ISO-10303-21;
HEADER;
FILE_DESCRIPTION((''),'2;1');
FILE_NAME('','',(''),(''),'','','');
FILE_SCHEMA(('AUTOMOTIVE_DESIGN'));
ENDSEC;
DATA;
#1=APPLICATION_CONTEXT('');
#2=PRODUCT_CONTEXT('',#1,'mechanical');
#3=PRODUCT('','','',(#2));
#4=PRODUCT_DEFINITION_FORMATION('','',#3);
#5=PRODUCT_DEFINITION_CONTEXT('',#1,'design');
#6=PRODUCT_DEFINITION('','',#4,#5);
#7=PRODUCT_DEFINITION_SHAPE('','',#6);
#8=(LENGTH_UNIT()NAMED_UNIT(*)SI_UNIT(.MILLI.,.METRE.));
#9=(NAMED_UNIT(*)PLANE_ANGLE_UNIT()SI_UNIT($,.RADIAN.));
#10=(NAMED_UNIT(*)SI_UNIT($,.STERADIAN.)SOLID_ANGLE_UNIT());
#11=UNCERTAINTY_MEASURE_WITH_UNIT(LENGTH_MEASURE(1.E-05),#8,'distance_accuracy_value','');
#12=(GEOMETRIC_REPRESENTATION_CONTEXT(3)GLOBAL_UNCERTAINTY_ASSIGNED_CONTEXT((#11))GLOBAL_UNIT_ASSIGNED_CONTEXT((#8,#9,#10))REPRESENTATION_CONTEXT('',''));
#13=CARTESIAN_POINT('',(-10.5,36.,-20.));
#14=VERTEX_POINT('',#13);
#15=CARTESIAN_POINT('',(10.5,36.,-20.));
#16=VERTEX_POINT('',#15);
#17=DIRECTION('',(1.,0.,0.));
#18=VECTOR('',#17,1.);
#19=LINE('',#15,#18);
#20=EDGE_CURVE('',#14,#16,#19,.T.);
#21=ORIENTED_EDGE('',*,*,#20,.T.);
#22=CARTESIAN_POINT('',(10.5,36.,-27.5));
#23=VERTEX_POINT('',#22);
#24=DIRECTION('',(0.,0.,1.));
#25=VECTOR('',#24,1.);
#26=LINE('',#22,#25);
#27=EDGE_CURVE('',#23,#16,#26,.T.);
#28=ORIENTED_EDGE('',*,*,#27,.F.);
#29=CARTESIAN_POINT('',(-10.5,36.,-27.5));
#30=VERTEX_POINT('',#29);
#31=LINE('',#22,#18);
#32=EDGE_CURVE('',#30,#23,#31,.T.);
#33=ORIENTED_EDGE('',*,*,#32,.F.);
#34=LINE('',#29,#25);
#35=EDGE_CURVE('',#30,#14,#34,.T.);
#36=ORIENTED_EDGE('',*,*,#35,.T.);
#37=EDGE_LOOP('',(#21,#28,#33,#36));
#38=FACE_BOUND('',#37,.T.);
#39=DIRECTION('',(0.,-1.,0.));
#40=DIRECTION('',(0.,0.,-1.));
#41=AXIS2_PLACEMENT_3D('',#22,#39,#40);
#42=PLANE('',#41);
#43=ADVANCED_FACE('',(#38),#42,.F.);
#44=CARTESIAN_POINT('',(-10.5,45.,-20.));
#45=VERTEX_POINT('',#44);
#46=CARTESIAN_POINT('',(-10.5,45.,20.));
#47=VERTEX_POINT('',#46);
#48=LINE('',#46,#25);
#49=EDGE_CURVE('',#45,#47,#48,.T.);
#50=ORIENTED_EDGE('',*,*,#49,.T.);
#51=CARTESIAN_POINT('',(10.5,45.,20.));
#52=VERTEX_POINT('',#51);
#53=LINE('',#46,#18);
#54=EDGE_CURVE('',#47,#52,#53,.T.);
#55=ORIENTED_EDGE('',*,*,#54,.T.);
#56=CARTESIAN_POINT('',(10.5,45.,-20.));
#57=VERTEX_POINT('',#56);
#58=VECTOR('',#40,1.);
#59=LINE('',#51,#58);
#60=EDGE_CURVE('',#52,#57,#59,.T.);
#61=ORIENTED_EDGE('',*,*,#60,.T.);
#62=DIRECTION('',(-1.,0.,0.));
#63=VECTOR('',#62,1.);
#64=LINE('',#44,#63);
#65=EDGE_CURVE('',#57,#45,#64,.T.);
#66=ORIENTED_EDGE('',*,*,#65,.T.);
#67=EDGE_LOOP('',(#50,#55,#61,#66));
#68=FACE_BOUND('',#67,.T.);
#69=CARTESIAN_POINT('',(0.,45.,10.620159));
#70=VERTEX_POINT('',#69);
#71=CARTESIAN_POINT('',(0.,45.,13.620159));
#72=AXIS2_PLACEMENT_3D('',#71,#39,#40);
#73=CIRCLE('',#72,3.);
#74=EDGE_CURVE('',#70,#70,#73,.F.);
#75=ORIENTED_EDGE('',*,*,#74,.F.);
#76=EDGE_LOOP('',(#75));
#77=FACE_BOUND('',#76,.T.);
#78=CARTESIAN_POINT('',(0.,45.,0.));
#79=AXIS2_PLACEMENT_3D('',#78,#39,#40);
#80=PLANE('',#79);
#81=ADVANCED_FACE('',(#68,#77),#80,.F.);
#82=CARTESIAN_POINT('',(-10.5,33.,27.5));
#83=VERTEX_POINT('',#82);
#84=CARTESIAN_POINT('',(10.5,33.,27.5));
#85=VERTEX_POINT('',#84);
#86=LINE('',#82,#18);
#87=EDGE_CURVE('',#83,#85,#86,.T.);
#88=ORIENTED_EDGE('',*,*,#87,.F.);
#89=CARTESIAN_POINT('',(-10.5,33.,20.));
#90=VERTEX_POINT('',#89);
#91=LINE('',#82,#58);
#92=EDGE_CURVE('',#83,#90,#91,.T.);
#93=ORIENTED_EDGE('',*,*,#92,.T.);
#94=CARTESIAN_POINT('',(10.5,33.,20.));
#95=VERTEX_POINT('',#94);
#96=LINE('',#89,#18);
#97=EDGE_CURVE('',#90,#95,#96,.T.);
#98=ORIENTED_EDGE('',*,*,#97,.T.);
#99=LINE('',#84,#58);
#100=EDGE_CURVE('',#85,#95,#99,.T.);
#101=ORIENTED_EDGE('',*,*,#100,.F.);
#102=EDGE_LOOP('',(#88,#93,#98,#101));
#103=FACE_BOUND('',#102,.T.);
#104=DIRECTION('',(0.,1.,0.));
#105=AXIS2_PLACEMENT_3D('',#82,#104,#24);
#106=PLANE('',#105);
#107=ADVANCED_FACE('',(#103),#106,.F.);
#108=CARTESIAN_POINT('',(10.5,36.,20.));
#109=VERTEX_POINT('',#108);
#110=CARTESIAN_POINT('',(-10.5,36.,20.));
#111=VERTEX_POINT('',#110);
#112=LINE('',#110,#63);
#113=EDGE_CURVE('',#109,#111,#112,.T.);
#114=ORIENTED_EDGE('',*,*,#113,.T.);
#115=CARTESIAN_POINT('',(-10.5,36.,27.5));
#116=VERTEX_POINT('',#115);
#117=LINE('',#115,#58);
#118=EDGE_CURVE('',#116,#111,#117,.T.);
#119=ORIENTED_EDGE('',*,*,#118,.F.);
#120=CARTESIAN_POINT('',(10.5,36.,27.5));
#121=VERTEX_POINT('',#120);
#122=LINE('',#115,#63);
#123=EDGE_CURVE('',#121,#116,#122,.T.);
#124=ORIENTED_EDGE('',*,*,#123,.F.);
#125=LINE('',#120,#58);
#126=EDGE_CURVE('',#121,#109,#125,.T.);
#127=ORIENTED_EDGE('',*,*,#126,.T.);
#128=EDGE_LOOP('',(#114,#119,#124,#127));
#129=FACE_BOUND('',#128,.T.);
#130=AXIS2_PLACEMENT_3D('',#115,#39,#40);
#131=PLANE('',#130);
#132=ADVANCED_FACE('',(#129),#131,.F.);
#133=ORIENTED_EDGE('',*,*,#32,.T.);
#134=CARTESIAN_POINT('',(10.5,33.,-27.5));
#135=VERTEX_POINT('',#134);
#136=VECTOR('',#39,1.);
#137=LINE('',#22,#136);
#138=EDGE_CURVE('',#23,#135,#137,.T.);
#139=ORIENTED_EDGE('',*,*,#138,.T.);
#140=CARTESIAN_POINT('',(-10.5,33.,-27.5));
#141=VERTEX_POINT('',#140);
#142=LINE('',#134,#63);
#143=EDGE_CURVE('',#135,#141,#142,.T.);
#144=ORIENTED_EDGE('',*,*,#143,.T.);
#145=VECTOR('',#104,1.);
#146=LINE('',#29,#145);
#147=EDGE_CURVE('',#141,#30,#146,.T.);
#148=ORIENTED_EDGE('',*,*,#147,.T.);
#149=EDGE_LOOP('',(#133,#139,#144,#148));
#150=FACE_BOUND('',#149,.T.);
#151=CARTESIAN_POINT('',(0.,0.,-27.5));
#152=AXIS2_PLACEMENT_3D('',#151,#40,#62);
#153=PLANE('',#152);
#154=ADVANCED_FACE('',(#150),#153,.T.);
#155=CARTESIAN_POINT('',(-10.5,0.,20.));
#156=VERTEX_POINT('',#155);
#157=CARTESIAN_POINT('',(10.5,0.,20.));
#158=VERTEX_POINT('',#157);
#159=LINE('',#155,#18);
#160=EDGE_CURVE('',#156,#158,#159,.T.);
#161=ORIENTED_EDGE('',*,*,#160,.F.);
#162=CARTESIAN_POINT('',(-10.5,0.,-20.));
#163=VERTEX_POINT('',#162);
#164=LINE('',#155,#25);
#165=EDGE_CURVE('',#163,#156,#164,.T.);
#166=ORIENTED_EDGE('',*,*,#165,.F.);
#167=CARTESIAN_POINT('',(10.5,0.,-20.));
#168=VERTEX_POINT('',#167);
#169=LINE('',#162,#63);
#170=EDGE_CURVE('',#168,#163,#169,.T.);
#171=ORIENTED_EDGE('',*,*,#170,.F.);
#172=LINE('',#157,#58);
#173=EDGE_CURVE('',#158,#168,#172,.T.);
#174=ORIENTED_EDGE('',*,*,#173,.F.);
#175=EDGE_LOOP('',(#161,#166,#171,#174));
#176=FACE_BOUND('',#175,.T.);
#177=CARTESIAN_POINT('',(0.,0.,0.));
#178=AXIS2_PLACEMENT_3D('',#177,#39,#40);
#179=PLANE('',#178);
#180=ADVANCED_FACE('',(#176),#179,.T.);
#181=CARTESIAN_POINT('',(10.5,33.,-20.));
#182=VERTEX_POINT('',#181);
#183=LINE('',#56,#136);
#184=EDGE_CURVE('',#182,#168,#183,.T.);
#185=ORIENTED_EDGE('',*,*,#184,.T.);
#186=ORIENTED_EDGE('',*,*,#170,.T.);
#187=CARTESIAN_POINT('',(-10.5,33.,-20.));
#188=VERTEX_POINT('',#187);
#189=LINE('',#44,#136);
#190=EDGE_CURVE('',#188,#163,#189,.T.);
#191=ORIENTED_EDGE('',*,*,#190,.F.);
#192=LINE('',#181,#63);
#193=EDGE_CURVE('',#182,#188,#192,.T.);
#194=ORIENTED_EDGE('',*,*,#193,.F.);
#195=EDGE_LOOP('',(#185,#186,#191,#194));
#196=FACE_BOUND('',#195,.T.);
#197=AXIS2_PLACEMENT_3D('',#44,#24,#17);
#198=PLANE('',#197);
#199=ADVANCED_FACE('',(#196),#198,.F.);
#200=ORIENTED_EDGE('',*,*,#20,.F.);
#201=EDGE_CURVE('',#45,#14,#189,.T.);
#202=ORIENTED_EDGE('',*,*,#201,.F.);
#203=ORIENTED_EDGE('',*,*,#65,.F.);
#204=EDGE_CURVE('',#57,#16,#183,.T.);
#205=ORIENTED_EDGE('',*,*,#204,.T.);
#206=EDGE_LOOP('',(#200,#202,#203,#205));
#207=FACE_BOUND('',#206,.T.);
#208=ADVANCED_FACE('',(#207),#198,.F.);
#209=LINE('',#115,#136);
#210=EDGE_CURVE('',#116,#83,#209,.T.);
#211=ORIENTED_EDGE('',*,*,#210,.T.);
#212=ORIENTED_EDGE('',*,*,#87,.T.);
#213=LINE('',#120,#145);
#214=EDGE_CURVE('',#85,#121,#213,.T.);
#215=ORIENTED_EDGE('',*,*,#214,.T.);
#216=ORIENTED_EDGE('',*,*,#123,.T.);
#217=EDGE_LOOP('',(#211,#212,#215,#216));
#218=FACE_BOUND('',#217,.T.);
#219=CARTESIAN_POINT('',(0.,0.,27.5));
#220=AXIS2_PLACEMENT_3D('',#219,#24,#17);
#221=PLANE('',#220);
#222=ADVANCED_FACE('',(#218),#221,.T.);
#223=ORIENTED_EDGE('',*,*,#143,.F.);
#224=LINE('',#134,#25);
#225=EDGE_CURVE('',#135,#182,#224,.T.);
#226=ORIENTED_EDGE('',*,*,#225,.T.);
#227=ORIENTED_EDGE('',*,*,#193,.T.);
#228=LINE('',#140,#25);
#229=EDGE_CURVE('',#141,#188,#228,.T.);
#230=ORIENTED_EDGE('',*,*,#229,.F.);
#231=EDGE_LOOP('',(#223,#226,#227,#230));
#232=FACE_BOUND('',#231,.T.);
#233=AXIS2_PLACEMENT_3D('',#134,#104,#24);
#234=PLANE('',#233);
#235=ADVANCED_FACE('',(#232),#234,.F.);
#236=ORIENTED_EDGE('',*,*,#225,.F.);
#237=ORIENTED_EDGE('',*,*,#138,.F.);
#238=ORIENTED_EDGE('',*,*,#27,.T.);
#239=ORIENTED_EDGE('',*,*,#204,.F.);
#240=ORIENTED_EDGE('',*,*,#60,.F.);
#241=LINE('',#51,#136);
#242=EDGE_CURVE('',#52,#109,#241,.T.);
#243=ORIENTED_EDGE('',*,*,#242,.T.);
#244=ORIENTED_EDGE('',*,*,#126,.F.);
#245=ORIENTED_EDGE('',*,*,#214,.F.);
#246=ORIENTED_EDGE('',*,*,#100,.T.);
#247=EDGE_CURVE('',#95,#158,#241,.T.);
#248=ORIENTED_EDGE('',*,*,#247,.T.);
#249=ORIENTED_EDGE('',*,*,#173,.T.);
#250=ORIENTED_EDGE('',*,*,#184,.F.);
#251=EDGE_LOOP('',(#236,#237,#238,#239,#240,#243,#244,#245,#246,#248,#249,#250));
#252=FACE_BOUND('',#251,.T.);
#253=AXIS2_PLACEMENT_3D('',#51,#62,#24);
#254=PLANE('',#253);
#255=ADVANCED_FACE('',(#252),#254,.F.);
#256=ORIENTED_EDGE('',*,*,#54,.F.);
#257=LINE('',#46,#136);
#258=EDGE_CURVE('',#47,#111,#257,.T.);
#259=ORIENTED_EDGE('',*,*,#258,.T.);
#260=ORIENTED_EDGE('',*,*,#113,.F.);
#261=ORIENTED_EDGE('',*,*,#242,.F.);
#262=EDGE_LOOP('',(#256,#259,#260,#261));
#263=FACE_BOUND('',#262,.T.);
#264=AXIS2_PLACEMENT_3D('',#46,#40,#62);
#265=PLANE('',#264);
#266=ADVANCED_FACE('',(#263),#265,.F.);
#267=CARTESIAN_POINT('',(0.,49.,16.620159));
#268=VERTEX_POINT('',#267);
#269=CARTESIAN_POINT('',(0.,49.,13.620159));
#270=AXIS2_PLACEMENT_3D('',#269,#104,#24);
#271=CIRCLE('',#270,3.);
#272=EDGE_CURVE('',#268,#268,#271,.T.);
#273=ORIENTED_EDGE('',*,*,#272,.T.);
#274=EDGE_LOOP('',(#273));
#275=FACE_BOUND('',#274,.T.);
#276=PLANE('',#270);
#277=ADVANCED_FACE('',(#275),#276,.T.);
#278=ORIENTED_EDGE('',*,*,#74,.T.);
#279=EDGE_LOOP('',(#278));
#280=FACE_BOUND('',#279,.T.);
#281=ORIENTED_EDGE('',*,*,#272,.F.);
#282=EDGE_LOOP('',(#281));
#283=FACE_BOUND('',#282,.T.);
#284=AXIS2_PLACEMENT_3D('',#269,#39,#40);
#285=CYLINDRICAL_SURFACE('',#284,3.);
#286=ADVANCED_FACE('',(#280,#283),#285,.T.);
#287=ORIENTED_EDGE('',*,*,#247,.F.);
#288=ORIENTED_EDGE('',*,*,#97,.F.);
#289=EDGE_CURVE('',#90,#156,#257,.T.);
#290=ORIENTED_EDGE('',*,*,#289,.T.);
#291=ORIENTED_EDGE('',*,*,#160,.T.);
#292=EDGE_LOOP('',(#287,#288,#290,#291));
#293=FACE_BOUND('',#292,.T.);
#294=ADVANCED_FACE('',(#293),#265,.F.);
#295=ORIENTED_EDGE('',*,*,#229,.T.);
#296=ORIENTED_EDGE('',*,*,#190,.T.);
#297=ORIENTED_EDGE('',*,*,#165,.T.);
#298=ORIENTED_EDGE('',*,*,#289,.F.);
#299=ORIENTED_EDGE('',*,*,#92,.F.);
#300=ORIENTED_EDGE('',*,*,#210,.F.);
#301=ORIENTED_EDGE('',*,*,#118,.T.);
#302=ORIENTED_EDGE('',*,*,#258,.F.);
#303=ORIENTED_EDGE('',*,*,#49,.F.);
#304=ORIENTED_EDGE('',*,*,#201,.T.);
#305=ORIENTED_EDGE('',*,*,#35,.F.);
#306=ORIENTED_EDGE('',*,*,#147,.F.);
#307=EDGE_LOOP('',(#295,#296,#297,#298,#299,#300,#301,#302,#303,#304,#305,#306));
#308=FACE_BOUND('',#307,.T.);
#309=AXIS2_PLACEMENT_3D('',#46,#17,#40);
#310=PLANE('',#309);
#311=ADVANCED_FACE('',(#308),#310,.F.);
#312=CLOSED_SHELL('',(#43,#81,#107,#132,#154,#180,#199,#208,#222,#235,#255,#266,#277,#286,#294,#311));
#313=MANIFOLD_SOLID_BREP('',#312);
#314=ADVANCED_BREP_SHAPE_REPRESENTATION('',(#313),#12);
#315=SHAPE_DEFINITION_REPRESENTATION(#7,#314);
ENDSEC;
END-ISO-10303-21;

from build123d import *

# Parameters (mm, degrees)
SKETCH1_W           = 21
SKETCH1_H           = 40
BOSS_EXTRUDE1_DEPTH = 45
SKETCH2_W           = 21
SKETCH2_H           = 3
BOSS_EXTRUDE2_DEPTH = 7.5
SKETCH3_W           = 21
SKETCH3_H           = 3
BOSS_EXTRUDE3_DEPTH = 7.5
SKETCH5_R           = 3
BOSS_EXTRUDE4_DEPTH = 4


with BuildPart() as part:
    # Sketch1 → Boss-Extrude1 (new body)
    with BuildSketch(Plane(origin=(0, 0, 0), x_dir=(1, 0, 0), z_dir=(0, 1, 0))):
        Rectangle(SKETCH1_W, SKETCH1_H)
    extrude(amount=BOSS_EXTRUDE1_DEPTH)

    # Sketch2 → Boss-Extrude2 (add)
    with BuildSketch(Plane.XY.offset(20)):
        with Locations((0, 34.5)):
            Rectangle(SKETCH2_W, SKETCH2_H)
    extrude(amount=BOSS_EXTRUDE2_DEPTH)

    # Sketch3 → Boss-Extrude3 (add)
    with BuildSketch(Plane(origin=(0, 0, -20), x_dir=(-1, 0, 0), z_dir=(0, 0, -1))):
        with Locations((0, 34.5)):
            Rectangle(SKETCH3_W, SKETCH3_H)
    extrude(amount=BOSS_EXTRUDE3_DEPTH)

    # Sketch5 → Boss-Extrude4 (add)
    with BuildSketch(Plane(origin=(0, 45, 0), x_dir=(1, 0, 0), z_dir=(0, 1, 0))):
        with Locations(Location((0, -13.620158604, 0), (0, 0, 90))):
            Circle(SKETCH5_R)
    extrude(amount=BOSS_EXTRUDE4_DEPTH)


solid = part.part
